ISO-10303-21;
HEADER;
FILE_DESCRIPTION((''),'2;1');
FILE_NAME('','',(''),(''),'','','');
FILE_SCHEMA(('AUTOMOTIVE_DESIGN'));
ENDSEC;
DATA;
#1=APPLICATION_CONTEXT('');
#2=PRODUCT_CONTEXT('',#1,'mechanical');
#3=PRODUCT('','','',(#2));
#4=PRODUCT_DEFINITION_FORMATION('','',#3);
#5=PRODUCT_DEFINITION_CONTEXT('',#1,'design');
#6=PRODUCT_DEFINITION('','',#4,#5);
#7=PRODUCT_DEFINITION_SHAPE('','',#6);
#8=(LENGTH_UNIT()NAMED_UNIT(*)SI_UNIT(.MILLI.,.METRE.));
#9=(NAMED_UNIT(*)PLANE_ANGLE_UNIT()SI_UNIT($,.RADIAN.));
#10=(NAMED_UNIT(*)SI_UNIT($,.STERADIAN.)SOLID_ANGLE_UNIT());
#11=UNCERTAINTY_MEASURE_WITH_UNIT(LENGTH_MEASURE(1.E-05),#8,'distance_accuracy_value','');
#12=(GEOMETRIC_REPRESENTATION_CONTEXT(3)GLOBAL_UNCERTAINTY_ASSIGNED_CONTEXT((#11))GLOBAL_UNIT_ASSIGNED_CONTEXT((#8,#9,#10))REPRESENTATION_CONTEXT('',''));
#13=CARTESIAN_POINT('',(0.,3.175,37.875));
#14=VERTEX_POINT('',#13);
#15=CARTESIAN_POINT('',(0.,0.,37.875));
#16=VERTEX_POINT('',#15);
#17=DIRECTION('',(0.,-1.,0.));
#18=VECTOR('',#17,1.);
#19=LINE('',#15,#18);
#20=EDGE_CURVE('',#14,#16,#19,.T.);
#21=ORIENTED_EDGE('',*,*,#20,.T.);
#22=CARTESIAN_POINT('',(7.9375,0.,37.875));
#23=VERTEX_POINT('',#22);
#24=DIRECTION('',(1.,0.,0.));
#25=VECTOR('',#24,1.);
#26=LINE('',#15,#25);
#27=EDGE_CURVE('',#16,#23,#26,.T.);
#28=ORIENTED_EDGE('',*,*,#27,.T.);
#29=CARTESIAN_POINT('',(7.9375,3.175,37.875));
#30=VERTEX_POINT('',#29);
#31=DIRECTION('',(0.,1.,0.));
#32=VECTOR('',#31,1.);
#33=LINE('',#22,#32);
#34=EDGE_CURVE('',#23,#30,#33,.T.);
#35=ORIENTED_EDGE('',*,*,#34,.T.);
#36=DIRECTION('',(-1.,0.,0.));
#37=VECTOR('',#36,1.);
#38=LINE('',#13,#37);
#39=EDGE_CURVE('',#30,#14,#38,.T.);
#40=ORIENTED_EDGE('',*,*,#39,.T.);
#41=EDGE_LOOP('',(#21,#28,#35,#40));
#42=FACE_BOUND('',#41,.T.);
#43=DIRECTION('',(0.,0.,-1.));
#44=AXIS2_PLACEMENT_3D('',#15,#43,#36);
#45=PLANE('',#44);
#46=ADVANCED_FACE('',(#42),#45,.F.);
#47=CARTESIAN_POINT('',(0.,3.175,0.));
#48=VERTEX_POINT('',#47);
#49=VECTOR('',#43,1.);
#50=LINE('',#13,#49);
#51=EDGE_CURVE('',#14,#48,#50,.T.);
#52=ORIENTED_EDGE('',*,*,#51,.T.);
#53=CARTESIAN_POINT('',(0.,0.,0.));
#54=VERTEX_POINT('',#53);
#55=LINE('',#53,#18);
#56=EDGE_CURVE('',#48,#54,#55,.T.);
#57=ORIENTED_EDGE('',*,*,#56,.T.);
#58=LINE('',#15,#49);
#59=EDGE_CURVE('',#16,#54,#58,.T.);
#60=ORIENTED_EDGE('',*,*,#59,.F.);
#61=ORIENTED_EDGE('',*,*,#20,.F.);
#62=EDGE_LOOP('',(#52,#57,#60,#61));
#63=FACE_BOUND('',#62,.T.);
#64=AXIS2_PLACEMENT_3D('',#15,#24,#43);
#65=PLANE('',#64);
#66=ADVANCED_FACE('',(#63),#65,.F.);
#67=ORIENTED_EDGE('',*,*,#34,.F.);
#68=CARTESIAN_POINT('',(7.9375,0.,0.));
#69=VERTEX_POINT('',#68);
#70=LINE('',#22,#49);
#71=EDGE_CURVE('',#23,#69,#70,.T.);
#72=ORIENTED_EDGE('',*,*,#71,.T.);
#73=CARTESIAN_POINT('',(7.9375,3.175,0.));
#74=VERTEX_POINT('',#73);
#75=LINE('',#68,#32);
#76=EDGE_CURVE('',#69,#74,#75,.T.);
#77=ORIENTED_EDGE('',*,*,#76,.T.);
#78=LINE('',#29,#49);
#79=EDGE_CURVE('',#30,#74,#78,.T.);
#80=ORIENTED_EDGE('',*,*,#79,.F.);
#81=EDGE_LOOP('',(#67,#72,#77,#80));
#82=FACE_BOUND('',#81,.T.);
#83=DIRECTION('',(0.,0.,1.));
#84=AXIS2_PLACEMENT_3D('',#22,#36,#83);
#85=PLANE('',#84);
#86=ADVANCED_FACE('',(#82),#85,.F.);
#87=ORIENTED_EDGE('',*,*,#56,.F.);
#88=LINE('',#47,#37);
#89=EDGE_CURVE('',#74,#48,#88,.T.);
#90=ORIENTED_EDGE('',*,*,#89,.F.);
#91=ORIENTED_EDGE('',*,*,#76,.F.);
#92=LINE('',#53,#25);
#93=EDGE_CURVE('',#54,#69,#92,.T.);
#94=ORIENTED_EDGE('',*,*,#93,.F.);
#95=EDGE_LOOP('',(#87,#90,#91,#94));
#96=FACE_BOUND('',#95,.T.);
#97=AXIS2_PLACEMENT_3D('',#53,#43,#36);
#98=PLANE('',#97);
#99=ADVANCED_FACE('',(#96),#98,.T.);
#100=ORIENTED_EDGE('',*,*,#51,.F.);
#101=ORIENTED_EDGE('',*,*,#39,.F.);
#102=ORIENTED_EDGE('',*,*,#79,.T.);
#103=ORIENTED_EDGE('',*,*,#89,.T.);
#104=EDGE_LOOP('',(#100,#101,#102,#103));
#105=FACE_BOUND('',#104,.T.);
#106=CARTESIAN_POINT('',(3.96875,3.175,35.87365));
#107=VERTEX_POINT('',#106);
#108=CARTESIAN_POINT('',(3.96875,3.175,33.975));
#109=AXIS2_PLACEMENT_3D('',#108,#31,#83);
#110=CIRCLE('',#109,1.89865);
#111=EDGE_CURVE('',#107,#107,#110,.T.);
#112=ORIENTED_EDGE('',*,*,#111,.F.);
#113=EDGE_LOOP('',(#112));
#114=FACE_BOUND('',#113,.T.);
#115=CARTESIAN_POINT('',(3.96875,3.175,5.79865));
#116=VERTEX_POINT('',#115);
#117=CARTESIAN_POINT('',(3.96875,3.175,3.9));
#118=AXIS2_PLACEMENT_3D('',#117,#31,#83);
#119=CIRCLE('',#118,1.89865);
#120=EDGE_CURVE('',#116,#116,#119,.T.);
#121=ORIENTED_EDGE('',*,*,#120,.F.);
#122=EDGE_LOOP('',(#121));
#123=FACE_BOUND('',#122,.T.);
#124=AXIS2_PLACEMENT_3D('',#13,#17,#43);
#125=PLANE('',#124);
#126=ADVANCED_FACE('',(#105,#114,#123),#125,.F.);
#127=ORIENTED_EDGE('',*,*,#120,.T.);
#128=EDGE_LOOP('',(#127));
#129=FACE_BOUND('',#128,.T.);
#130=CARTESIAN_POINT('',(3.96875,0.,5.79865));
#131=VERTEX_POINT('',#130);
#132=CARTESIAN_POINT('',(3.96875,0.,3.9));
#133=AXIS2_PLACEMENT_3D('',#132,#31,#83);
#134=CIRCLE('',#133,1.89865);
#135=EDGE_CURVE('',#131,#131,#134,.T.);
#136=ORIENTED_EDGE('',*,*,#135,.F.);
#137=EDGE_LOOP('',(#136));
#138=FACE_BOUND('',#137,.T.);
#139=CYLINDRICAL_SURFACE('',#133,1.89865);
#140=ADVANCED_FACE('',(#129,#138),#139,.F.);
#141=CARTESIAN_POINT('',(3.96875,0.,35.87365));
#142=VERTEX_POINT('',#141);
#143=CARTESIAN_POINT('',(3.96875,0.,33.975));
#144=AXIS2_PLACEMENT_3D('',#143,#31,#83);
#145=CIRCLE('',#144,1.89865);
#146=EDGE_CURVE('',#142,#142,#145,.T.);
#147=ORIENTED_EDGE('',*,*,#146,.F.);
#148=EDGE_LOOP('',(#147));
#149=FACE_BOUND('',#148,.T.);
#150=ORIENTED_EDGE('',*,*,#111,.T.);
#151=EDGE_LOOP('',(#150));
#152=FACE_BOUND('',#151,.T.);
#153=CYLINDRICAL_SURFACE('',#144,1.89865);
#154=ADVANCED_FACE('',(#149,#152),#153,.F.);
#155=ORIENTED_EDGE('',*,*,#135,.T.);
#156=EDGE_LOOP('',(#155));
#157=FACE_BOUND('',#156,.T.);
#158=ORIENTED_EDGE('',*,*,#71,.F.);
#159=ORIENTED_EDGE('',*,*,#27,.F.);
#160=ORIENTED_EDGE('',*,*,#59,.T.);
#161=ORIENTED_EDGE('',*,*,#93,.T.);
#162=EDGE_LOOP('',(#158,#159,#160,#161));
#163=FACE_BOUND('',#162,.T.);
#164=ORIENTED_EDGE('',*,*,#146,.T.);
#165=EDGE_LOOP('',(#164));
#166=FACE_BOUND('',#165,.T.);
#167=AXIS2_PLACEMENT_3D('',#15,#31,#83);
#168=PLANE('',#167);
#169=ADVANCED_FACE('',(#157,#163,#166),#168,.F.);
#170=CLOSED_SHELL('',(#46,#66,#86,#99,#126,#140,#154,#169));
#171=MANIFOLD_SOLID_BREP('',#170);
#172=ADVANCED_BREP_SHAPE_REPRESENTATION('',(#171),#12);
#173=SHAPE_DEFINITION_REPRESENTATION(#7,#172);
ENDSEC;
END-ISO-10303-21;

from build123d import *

# Parameters (mm, degrees)
SKETCH1_W           = 7.9375
SKETCH1_H           = 3.175
BOSS_EXTRUDE2_DEPTH = 37.875
SKETCH3_R           = 1.89865
CUT_EXTRUDE1_DEPTH  = 4.175


with BuildPart() as part:
    # Sketch1 → Boss-Extrude2 (new body)
    with BuildSketch(Plane.XY):
        with Locations((3.96875, 1.5875)):
            Rectangle(SKETCH1_W, SKETCH1_H)
    extrude(amount=BOSS_EXTRUDE2_DEPTH)

    # Sketch3 → Cut-Extrude1 (cut, through all)
    with BuildSketch(Plane(origin=(0, 3.175, 0), x_dir=(1, 0, 0), z_dir=(0, 1, 0))):
        with Locations((3.96875, -3.9)):
            Circle(SKETCH3_R)
        with Locations((3.96875, -33.975)):
            Circle(SKETCH3_R)
    extrude(amount=-CUT_EXTRUDE1_DEPTH, mode=Mode.SUBTRACT)


solid = part.part
